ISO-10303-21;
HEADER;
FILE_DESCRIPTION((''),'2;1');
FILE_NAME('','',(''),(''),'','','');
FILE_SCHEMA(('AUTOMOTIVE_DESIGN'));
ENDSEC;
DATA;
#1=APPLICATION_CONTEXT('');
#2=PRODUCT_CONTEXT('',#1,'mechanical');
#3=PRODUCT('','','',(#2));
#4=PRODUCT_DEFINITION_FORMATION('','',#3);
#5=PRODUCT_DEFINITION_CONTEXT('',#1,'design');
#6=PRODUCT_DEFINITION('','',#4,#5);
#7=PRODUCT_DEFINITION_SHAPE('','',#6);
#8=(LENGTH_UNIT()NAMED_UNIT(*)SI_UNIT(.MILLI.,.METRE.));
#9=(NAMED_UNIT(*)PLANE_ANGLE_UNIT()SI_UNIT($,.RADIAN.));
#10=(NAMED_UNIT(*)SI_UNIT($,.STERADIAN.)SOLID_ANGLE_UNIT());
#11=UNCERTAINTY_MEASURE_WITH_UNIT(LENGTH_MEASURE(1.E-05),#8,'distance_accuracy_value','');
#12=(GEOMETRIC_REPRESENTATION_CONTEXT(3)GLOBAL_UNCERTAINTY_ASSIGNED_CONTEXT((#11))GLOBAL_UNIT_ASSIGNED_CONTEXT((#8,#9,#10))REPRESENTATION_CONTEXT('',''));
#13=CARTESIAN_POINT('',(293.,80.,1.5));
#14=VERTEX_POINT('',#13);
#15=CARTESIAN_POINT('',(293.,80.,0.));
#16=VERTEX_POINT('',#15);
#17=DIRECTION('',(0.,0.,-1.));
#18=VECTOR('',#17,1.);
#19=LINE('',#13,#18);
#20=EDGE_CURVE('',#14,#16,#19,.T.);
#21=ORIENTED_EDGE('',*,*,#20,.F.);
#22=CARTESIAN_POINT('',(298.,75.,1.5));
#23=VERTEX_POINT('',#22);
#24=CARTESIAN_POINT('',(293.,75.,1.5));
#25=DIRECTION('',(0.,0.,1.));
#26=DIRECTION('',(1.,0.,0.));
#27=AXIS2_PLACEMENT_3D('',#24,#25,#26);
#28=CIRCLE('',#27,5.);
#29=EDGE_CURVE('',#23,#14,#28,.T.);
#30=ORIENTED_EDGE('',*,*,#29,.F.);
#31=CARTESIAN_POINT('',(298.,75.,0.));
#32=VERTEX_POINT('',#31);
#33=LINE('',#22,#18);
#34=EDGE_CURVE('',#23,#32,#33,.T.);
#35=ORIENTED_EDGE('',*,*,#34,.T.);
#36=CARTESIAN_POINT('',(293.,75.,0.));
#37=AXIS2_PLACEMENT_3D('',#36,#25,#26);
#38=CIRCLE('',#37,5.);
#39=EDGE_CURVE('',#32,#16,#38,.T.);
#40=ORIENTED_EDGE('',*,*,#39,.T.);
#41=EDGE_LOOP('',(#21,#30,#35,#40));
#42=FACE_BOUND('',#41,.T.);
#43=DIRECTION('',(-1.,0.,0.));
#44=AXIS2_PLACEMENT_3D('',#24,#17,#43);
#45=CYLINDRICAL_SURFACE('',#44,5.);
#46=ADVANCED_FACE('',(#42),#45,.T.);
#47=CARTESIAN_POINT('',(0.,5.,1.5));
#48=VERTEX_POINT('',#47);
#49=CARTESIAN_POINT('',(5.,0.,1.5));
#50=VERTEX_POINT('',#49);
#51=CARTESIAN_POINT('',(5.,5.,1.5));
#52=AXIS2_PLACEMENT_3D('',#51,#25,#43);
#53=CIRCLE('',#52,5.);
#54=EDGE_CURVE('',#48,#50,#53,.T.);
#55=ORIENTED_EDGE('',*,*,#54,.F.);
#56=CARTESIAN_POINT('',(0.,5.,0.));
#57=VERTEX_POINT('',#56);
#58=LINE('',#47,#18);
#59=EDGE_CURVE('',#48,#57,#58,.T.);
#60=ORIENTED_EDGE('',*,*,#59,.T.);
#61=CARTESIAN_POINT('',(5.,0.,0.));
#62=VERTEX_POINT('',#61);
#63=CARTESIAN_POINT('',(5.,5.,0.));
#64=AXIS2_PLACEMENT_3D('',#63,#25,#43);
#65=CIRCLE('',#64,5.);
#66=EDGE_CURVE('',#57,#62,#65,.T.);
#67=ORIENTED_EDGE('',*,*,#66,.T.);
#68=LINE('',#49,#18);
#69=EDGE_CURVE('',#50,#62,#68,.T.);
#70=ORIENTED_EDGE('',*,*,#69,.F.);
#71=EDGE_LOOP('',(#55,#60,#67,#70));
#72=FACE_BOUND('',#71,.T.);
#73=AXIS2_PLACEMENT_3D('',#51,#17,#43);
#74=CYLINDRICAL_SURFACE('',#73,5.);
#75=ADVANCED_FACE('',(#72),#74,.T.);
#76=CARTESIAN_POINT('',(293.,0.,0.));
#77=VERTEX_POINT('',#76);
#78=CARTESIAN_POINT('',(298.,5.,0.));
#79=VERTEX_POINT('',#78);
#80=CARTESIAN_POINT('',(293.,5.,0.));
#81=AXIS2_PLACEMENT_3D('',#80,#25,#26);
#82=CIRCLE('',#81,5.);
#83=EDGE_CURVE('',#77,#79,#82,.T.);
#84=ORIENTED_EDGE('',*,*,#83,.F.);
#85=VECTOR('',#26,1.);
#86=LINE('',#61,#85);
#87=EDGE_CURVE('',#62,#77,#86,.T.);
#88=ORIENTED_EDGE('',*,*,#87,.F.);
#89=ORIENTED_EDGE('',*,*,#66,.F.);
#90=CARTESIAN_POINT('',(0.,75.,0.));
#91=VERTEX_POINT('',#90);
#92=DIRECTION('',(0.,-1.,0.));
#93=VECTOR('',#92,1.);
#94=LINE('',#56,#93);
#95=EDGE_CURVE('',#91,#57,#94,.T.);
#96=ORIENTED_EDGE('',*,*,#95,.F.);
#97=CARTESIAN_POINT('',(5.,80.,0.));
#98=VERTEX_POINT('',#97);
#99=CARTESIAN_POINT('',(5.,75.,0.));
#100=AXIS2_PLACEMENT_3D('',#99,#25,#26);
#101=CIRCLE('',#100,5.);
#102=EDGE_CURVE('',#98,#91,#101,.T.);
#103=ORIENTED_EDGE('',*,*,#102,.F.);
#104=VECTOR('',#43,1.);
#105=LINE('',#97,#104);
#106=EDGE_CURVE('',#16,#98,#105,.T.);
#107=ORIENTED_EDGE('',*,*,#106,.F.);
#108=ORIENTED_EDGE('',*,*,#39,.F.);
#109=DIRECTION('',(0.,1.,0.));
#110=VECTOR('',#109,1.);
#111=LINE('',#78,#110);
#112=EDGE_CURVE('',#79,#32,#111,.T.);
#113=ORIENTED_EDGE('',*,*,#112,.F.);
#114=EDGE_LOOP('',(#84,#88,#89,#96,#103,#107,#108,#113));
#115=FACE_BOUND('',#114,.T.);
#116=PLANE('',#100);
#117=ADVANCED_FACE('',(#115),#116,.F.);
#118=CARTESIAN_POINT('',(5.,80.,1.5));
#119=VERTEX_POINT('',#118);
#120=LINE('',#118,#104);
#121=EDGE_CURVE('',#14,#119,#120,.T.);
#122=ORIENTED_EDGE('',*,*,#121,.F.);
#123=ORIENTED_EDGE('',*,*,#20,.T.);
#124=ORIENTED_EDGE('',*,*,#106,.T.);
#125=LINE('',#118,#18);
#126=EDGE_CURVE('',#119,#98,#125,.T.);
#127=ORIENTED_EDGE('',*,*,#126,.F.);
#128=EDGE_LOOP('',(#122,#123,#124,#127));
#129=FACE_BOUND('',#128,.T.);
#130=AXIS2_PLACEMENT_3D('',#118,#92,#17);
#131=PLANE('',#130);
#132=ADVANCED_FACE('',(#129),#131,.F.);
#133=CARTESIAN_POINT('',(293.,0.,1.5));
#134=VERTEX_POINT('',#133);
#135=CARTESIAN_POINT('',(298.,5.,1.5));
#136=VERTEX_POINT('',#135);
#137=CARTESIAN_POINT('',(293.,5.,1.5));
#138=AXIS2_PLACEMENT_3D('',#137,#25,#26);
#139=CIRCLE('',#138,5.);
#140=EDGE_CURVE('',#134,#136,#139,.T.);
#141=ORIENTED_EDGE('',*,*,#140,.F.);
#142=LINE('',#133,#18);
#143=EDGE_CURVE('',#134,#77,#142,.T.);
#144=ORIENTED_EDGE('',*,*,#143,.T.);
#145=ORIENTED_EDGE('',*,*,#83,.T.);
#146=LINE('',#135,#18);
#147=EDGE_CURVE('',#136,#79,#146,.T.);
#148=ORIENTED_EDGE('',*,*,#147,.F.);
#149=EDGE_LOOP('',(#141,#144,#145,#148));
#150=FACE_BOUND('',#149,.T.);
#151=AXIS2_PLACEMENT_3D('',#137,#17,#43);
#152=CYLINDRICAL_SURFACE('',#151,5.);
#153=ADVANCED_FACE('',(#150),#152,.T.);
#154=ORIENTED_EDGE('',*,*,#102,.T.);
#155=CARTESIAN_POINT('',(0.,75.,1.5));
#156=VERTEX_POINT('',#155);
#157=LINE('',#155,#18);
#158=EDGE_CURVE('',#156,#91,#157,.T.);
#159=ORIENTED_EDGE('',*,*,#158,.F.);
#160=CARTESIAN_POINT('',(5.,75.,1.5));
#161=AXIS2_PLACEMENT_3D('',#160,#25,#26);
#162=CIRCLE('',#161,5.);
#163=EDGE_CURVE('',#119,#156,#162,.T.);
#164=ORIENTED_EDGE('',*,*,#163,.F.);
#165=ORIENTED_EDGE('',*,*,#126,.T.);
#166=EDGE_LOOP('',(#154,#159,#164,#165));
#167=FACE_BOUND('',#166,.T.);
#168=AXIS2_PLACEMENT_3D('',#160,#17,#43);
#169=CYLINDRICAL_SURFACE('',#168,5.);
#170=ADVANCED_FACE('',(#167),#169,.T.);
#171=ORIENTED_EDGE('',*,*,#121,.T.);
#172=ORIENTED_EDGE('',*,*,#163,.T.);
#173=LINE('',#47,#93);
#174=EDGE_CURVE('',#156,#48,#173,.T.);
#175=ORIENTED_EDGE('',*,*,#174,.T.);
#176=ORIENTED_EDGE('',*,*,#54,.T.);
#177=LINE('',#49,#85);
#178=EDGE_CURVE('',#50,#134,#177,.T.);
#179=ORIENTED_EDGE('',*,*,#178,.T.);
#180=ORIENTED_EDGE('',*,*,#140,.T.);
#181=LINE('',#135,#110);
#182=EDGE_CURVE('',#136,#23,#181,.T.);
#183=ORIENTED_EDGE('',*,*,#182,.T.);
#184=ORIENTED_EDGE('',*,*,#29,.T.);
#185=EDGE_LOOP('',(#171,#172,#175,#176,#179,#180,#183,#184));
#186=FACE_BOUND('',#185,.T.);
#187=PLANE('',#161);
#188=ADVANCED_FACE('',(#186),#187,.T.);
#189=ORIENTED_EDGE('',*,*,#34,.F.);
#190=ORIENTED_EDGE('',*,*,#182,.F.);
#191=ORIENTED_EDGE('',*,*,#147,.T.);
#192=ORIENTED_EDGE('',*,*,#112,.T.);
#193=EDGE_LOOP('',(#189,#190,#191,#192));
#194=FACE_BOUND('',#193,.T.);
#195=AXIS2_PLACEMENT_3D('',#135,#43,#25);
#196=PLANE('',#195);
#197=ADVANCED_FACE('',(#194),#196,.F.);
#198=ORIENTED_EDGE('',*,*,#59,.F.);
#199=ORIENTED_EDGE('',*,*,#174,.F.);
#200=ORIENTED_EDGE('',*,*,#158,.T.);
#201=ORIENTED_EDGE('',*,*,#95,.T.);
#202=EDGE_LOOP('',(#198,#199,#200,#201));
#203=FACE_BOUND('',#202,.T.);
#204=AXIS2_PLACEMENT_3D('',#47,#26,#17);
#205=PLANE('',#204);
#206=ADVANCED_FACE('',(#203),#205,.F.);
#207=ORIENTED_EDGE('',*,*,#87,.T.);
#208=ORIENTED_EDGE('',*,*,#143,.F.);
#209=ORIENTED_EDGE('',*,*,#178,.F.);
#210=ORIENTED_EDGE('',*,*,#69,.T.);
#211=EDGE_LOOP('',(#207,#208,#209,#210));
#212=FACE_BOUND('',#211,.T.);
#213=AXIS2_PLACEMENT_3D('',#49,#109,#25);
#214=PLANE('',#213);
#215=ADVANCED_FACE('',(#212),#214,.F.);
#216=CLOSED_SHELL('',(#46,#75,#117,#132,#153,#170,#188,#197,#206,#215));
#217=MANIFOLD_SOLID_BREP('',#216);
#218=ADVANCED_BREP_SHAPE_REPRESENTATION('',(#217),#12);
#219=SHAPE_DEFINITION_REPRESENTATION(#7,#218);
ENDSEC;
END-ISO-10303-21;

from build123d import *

# Parameters (mm, degrees)
RESSALTO_EXTRUS_O1_DEPTH = 1.5


with BuildPart() as part:
    # Esboço1 → Ressalto-extrusão1 (new body)
    with BuildSketch(Plane.XY):
        with BuildLine():
            Line((5, 0), (293, 0))
            ThreePointArc((293, 0), (296.535533906, 1.464466094), (298, 5))
            Line((298, 5), (298, 75))
            ThreePointArc((298, 75), (296.535533906, 78.535533906), (293, 80))
            Line((293, 80), (5, 80))
            ThreePointArc((5, 80), (1.464466094, 78.535533906), (0, 75))
            Line((0, 75), (0, 5))
            ThreePointArc((0, 5), (1.464466094, 1.464466094), (5, 0))
        make_face()
    extrude(amount=RESSALTO_EXTRUS_O1_DEPTH)


solid = part.part
